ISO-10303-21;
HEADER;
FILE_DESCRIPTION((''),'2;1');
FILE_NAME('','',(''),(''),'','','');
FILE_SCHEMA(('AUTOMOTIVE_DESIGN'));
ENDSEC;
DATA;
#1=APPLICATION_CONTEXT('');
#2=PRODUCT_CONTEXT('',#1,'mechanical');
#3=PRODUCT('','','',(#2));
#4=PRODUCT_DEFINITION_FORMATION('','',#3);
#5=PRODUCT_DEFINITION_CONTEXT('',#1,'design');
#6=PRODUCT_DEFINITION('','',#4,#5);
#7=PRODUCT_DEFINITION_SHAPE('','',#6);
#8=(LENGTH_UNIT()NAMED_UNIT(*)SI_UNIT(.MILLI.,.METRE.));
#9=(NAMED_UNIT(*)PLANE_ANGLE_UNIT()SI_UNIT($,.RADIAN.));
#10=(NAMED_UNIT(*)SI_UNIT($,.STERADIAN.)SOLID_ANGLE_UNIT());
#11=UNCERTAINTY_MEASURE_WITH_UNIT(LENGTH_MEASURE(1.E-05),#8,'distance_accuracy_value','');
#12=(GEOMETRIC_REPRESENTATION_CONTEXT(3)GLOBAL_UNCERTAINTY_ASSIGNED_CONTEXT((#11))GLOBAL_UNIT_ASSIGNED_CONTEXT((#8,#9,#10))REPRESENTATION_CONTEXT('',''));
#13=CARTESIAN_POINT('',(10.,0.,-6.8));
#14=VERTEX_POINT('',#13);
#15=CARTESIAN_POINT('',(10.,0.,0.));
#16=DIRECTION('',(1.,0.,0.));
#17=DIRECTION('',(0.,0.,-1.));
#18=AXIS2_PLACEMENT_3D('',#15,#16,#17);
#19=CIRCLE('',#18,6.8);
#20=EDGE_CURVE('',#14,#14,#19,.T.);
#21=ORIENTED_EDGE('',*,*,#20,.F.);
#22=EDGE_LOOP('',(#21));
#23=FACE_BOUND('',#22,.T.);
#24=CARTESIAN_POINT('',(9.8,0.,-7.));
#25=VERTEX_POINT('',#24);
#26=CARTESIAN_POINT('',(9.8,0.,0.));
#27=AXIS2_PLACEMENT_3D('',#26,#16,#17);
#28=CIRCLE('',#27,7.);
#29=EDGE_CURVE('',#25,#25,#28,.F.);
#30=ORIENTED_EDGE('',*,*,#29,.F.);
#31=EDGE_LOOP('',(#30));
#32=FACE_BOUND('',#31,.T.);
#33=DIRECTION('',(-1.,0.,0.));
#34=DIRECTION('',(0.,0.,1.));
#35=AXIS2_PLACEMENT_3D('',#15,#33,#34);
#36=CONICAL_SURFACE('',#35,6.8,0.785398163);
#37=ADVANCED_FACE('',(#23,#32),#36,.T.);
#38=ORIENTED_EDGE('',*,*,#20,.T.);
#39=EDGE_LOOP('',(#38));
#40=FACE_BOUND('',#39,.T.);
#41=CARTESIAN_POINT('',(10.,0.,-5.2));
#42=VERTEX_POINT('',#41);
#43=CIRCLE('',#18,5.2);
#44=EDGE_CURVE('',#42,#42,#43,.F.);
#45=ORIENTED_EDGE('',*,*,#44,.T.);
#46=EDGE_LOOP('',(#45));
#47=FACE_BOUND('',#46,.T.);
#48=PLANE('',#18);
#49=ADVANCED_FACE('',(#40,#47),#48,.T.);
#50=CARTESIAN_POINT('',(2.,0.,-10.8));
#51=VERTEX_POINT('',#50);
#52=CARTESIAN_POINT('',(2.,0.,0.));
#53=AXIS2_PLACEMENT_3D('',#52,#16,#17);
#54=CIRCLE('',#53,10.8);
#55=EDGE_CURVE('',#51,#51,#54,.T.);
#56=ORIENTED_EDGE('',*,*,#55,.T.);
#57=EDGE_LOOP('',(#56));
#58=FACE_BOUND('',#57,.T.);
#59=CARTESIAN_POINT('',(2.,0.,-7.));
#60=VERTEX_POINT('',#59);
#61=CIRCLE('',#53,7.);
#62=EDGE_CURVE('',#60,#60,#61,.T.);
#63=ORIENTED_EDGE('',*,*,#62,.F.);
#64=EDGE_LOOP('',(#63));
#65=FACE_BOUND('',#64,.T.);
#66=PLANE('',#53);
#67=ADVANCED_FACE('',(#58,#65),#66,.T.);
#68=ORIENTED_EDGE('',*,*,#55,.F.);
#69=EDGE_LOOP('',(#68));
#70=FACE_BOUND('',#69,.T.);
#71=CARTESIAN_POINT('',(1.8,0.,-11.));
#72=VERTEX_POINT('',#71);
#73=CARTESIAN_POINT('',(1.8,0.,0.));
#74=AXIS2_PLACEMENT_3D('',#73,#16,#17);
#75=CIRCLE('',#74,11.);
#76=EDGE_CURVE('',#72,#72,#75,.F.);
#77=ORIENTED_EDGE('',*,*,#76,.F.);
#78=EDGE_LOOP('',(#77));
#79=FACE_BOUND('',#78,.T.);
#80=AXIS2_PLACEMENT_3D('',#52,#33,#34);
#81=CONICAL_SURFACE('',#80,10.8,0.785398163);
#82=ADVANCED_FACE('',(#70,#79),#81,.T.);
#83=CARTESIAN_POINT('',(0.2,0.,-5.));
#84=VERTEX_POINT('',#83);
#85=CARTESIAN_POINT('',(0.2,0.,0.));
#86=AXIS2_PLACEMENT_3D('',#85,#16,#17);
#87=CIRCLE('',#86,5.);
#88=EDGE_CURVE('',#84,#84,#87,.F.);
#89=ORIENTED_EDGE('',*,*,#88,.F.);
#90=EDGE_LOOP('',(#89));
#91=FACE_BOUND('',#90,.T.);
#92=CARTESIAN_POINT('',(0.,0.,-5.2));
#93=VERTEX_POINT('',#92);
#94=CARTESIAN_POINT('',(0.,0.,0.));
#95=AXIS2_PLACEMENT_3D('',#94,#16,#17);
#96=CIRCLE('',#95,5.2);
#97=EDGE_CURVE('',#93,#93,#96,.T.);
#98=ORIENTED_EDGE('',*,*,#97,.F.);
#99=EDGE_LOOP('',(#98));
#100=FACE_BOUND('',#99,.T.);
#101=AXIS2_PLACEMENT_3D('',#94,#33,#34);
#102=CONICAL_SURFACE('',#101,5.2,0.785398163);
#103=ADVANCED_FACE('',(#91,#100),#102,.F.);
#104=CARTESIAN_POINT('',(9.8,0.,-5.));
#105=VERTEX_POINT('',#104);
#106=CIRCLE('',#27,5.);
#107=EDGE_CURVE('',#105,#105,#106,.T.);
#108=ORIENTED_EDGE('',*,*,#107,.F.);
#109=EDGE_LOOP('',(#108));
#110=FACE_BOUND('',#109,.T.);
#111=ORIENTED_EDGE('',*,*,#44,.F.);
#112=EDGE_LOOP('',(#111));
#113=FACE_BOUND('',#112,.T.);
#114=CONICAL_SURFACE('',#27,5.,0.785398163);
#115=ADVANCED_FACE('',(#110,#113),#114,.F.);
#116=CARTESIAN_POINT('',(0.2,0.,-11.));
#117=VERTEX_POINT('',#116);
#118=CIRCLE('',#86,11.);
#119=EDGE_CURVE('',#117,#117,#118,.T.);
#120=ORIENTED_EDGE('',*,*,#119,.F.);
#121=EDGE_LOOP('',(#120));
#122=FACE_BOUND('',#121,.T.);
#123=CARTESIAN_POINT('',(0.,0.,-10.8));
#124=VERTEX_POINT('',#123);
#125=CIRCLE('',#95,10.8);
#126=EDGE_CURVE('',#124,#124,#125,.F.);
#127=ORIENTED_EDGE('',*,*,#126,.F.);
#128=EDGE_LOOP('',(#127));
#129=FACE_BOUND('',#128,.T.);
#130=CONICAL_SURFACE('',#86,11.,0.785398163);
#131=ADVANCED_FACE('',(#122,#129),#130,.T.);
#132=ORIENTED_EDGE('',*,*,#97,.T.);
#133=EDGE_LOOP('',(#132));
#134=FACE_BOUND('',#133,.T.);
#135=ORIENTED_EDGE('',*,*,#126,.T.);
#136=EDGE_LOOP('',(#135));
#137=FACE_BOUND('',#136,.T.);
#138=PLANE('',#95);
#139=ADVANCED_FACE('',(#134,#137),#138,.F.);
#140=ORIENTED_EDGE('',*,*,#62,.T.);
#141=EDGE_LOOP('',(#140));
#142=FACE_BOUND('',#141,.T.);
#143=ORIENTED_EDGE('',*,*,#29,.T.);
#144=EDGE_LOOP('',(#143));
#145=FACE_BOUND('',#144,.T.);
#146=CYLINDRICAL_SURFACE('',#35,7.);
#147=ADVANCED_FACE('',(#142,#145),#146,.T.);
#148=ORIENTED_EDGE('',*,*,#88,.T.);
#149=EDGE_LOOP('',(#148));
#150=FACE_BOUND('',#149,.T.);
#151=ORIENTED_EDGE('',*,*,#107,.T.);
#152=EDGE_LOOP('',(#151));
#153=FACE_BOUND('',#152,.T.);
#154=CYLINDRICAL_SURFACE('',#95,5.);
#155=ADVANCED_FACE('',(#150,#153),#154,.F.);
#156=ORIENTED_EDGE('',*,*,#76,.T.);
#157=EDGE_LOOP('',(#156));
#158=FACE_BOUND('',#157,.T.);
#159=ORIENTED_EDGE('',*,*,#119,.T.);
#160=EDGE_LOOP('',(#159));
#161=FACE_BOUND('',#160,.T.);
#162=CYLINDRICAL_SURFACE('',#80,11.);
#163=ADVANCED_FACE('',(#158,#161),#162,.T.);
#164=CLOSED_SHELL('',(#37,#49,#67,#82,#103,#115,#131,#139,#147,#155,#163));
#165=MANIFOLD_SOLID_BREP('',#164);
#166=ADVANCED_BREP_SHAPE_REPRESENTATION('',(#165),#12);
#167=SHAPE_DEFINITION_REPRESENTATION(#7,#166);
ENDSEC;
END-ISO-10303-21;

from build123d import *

# Parameters (mm, degrees)
SKETCH_1_R          = 11
EXTRUDE_1_DEPTH     = 2
SKETCH_2_R          = 7
EXTRUDE_2_DEPTH     = 8
SKETCH_3_R          = 5
CUT_EXTRUDE_1_DEPTH = 19.493242009
CHAMFER_1_SIZE      = 0.2


with BuildPart() as part:
    # 草图1 → 凸台-拉伸1 (new body)
    with BuildSketch(Plane(origin=(0, 0, 0), x_dir=(0, 0, -1), z_dir=(1, 0, 0))):
        Circle(SKETCH_1_R)
    extrude(amount=EXTRUDE_1_DEPTH)

    # 草图2 → 凸台-拉伸2 (add)
    with BuildSketch(Plane(origin=(2, 0, 0), x_dir=(0, 0, -1), z_dir=(1, 0, 0))):
        Circle(SKETCH_2_R)
    extrude(amount=EXTRUDE_2_DEPTH)

    # 草图3 → 切除-拉伸1 (cut, through all)
    with BuildSketch(Plane(origin=(10, 0, 0), x_dir=(0, 0, -1), z_dir=(1, 0, 0))):
        Circle(SKETCH_3_R)
    extrude(amount=-CUT_EXTRUDE_1_DEPTH, mode=Mode.SUBTRACT)

    # 倒角1
    chamfer_1_edges = [part.edges().sort_by_distance(p)[0] for p in [
        (0, 0, 5),
        (10, 0, 5),
        (0, 0, 11),
        (2, 0, 11),
        (10, 0, 7),
    ]]
    chamfer(chamfer_1_edges, length=CHAMFER_1_SIZE)


solid = part.part
